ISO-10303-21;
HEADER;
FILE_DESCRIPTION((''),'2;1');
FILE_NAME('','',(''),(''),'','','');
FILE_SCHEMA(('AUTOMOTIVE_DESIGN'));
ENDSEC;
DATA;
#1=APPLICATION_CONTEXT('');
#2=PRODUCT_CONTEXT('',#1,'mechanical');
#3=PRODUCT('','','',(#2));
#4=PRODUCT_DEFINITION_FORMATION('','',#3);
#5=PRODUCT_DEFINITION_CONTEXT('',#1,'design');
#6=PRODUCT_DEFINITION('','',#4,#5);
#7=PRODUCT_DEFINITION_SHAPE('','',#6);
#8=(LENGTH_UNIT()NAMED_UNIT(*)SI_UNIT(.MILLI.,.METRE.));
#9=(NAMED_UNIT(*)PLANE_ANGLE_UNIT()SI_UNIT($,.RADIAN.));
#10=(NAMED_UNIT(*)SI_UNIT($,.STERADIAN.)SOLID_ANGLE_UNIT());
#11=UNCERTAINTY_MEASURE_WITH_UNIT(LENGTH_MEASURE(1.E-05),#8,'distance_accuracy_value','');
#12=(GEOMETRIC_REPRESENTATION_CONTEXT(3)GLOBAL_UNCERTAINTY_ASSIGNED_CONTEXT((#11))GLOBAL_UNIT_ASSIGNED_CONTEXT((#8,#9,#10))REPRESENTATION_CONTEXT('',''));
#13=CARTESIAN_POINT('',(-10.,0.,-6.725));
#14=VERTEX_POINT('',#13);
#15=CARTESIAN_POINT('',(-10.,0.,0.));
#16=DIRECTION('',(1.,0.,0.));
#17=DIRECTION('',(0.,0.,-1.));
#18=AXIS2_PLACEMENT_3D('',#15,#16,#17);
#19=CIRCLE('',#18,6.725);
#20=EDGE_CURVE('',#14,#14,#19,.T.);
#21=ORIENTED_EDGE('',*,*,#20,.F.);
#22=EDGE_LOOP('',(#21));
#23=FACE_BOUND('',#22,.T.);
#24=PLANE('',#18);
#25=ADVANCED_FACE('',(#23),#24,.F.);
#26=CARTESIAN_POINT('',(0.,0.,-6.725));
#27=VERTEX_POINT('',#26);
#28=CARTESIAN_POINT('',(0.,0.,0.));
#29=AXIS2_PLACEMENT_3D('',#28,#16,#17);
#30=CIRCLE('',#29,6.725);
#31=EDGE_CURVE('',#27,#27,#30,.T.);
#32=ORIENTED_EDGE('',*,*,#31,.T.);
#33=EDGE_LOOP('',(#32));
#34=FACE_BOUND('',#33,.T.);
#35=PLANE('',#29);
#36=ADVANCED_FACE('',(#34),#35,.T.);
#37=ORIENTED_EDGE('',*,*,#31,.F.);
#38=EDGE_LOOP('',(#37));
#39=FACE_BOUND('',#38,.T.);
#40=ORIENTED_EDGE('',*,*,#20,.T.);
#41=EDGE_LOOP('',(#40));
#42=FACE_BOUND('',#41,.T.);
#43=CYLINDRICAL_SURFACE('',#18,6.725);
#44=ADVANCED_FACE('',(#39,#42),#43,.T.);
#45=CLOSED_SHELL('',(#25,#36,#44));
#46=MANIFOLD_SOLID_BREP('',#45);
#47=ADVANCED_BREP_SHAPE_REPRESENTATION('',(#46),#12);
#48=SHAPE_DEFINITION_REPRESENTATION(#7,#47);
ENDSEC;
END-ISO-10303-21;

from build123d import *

# Parameters (mm, degrees)
SKETCH1_R           = 6.725
BOSS_EXTRUDE1_DEPTH = 10


with BuildPart() as part:
    # Sketch1 → Boss-Extrude1 (new body)
    with BuildSketch(Plane(origin=(0, 0, 0), x_dir=(0, 0, -1), z_dir=(1, 0, 0))):
        Circle(SKETCH1_R)
    extrude(amount=-BOSS_EXTRUDE1_DEPTH)


solid = part.part
